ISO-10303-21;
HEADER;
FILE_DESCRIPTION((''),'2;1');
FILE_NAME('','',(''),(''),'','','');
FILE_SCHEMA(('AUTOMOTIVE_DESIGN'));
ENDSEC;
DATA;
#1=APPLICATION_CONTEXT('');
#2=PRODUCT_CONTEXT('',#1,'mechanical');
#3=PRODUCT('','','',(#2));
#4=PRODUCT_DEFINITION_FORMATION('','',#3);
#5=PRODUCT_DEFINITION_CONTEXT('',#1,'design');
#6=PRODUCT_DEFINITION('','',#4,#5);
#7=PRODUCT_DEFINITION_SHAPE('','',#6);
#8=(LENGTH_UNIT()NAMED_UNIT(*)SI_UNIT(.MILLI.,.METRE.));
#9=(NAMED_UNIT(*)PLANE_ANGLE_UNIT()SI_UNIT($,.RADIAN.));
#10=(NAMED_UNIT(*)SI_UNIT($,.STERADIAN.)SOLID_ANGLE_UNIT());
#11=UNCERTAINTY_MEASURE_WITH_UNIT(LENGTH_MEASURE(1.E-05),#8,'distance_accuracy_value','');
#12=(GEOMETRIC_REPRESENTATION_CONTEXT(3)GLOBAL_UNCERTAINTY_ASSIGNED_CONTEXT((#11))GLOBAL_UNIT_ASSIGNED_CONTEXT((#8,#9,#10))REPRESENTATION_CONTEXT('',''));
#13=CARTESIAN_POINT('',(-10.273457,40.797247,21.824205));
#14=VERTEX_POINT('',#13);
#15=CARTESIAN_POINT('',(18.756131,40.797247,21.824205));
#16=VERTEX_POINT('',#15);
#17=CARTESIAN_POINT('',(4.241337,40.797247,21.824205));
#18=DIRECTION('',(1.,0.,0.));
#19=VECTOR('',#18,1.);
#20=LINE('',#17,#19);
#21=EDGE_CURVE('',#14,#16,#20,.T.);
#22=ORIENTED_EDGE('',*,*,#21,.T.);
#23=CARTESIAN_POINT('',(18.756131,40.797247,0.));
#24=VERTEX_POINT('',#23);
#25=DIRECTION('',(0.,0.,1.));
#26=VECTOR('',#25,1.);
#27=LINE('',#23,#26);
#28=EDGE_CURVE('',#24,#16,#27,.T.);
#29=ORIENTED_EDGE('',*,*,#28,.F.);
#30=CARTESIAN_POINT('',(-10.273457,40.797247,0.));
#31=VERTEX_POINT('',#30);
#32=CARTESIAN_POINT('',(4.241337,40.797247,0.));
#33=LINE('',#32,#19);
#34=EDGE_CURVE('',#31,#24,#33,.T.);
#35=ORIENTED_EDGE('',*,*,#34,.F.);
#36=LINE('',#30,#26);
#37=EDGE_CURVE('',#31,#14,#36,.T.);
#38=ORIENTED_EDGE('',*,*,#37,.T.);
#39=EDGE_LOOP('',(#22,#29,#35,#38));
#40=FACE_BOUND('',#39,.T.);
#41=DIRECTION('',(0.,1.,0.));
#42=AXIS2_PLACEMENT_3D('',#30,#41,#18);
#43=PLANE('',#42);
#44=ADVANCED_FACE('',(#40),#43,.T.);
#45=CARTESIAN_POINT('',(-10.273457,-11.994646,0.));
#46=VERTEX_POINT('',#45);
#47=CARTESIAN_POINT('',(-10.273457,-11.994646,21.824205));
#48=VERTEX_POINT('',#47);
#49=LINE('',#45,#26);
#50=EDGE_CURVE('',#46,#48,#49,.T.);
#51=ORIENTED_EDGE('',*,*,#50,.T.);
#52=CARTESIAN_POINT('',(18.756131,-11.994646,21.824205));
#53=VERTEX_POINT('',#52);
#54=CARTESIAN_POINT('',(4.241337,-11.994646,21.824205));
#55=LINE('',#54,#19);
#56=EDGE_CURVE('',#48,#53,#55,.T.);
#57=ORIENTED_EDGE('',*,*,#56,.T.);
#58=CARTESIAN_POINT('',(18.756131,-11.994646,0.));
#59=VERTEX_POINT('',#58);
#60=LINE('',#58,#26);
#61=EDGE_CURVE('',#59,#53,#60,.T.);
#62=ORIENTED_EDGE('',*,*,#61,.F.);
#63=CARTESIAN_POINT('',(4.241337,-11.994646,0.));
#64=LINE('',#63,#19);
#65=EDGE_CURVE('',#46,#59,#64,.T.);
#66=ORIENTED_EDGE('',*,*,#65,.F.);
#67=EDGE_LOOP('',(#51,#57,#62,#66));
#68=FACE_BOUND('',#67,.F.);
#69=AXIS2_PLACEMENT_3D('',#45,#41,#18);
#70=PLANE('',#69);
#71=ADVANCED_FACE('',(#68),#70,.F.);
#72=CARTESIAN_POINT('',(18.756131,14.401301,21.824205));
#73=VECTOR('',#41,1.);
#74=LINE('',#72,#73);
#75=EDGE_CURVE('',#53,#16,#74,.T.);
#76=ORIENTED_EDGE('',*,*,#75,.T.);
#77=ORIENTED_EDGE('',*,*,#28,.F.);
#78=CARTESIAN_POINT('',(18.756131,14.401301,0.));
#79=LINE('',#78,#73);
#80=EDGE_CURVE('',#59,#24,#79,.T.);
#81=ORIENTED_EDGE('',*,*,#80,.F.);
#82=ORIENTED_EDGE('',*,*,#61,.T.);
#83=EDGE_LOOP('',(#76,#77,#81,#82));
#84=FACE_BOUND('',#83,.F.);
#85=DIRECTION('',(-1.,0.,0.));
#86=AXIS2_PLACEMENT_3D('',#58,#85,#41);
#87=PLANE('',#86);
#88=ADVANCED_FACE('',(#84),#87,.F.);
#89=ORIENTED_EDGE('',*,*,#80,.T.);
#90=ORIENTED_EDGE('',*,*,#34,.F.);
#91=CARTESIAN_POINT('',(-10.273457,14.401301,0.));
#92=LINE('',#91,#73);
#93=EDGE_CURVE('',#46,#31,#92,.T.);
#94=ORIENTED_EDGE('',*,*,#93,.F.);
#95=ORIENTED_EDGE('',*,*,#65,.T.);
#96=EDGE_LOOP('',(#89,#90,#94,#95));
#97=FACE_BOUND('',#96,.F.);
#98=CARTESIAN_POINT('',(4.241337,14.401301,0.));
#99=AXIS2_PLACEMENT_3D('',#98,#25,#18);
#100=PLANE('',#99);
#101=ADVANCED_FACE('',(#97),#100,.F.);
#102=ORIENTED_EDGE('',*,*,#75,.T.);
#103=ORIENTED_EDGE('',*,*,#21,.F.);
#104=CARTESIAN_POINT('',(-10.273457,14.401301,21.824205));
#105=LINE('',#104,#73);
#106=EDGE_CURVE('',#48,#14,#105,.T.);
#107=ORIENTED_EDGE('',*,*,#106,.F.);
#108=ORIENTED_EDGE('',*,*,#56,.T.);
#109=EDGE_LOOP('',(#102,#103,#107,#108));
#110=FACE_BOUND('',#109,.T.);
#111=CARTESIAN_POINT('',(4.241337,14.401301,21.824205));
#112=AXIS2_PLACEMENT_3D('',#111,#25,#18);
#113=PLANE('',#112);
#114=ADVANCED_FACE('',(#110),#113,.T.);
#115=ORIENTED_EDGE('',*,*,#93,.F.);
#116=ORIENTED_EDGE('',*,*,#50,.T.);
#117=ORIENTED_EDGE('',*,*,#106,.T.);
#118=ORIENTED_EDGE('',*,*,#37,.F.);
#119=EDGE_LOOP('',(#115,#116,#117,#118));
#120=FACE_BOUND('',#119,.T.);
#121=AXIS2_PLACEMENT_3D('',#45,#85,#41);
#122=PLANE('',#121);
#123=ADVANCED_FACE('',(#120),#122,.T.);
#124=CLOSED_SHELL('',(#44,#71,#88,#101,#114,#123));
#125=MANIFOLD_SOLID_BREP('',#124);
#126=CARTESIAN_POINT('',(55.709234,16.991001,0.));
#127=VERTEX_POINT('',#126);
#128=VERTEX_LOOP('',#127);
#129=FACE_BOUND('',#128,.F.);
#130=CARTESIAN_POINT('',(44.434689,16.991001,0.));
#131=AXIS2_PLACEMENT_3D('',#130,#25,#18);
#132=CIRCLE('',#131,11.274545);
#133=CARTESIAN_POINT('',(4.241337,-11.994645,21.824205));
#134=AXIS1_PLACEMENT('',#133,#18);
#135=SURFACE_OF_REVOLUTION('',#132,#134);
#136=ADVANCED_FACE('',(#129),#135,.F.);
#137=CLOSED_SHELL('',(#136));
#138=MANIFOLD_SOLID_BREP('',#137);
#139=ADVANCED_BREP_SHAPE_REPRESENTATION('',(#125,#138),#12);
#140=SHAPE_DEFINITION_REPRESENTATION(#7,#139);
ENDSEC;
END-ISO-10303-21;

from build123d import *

# Parameters (mm, degrees)
F0_W     = 29.029588
F0_H     = 52.791893
F1_DEPTH = 21.824205
F2_R     = 11.274545


with BuildPart() as f1:
    # F0 (on Top) → F1 (new body)
    with BuildSketch(Plane.XY):
        with Locations((4.241337, 14.401301)):
            Rectangle(F0_W, F0_H)
    extrude(amount=F1_DEPTH)


with BuildPart() as f3:
    # F2 (on Top) → F3 (revolve)
    with BuildSketch(Plane.XY):
        with Locations((44.434689, 16.991001)):
            Circle(F2_R)
    revolve(axis=Axis((4.241337, -11.994645, 21.824205), (1, 0, 0)))


solid = Compound([f1.part, f3.part])
